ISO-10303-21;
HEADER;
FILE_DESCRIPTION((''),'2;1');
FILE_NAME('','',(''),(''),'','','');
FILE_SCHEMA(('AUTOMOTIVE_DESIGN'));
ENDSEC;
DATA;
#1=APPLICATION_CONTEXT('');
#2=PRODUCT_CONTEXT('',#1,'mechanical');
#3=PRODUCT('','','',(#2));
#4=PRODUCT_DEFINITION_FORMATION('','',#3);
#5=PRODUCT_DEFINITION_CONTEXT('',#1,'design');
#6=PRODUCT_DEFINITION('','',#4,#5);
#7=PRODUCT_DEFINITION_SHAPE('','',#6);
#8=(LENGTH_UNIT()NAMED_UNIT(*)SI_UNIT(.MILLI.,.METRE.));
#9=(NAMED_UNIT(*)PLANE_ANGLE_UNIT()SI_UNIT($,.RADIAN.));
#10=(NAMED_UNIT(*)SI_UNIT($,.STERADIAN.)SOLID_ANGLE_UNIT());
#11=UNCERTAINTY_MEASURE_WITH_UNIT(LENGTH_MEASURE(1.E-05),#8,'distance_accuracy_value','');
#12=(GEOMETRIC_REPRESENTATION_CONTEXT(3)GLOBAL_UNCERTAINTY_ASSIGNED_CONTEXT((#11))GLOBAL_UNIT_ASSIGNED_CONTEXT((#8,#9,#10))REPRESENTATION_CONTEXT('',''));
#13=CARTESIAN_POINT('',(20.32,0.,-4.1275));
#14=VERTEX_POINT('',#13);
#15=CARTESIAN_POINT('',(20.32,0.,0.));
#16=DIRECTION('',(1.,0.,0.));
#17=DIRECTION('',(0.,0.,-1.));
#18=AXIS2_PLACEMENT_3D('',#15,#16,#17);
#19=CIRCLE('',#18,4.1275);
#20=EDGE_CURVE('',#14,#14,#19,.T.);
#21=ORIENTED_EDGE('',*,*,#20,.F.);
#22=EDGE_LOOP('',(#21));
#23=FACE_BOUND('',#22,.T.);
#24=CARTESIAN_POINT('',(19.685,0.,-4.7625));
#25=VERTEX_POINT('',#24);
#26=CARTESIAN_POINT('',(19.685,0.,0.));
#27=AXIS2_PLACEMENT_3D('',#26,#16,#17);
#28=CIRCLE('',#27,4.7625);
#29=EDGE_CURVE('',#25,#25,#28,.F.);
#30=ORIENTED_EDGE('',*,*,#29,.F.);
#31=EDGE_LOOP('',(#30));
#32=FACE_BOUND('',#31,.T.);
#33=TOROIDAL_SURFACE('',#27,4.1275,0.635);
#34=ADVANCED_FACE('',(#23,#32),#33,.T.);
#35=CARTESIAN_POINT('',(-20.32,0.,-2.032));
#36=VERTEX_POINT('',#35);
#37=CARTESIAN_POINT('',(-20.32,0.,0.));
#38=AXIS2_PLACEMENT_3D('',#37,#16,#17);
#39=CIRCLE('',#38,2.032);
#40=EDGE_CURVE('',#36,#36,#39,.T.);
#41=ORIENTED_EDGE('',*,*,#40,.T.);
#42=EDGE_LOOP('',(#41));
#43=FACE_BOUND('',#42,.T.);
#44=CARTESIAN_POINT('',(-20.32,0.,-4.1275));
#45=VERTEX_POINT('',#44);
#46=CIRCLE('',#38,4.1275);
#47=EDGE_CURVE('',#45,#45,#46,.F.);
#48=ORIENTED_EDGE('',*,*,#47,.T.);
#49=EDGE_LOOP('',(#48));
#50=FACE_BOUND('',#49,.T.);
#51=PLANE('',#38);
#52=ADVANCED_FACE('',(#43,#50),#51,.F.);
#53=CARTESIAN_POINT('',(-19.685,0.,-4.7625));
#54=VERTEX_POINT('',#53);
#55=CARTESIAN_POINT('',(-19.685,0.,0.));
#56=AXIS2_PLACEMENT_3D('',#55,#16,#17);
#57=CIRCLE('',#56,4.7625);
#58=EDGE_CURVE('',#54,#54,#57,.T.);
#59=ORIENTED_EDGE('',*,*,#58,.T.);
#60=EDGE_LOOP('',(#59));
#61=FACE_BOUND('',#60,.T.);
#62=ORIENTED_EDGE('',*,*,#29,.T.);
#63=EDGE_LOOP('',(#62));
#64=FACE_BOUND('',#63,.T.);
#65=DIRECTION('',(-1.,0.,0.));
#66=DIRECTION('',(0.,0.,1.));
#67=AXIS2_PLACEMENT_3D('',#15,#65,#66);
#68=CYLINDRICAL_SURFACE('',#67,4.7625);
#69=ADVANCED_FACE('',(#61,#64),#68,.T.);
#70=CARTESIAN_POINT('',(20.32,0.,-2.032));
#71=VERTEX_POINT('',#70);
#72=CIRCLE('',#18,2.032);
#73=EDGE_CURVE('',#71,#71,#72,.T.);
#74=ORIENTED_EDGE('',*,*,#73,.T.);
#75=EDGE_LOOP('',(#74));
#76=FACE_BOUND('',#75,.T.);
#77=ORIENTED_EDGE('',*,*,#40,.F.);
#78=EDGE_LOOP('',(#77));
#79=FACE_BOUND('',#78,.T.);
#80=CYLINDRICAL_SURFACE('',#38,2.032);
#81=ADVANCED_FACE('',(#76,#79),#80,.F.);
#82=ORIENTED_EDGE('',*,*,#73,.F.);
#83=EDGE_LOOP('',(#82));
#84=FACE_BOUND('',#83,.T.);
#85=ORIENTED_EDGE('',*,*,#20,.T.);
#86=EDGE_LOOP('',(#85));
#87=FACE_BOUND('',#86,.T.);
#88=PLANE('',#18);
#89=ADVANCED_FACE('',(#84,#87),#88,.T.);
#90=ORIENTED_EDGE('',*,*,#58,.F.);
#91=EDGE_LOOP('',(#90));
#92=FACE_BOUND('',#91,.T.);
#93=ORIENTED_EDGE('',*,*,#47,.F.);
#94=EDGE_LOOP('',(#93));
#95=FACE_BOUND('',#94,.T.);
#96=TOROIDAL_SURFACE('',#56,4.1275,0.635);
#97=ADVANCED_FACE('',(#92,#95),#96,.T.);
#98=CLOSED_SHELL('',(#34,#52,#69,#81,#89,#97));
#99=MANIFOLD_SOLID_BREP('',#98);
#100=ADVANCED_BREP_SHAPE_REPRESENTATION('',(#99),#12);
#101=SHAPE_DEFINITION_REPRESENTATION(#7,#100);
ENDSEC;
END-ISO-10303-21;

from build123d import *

# Parameters (mm, degrees)
SKETCH1_R           = 4.7625
BOSS_EXTRUDE1_DEPTH = 20.32
SKETCH3_R           = 2.032
CUT_EXTRUDE1_DEPTH  = 42.194325004
FILLET1_R           = 0.635


with BuildPart() as part:
    # Sketch1 → Boss-Extrude1 (new, symmetric)
    with BuildSketch(Plane(origin=(0, 0, 0), x_dir=(0, 0, -1), z_dir=(1, 0, 0))):
        Circle(SKETCH1_R)
    extrude(amount=BOSS_EXTRUDE1_DEPTH, both=True)

    # Sketch3 → Cut-Extrude1 (cut, through all)
    with BuildSketch(Plane(origin=(20.32, 0, 0), x_dir=(0, 0, -1), z_dir=(1, 0, 0))):
        Circle(SKETCH3_R)
    extrude(amount=-CUT_EXTRUDE1_DEPTH, mode=Mode.SUBTRACT)

    # Fillet1
    fillet1_edges = [part.edges().sort_by_distance(p)[0] for p in [
        (-20.32, 0, 4.7625),
        (20.32, 0, 4.7625),
    ]]
    fillet(fillet1_edges, radius=FILLET1_R)


solid = part.part
